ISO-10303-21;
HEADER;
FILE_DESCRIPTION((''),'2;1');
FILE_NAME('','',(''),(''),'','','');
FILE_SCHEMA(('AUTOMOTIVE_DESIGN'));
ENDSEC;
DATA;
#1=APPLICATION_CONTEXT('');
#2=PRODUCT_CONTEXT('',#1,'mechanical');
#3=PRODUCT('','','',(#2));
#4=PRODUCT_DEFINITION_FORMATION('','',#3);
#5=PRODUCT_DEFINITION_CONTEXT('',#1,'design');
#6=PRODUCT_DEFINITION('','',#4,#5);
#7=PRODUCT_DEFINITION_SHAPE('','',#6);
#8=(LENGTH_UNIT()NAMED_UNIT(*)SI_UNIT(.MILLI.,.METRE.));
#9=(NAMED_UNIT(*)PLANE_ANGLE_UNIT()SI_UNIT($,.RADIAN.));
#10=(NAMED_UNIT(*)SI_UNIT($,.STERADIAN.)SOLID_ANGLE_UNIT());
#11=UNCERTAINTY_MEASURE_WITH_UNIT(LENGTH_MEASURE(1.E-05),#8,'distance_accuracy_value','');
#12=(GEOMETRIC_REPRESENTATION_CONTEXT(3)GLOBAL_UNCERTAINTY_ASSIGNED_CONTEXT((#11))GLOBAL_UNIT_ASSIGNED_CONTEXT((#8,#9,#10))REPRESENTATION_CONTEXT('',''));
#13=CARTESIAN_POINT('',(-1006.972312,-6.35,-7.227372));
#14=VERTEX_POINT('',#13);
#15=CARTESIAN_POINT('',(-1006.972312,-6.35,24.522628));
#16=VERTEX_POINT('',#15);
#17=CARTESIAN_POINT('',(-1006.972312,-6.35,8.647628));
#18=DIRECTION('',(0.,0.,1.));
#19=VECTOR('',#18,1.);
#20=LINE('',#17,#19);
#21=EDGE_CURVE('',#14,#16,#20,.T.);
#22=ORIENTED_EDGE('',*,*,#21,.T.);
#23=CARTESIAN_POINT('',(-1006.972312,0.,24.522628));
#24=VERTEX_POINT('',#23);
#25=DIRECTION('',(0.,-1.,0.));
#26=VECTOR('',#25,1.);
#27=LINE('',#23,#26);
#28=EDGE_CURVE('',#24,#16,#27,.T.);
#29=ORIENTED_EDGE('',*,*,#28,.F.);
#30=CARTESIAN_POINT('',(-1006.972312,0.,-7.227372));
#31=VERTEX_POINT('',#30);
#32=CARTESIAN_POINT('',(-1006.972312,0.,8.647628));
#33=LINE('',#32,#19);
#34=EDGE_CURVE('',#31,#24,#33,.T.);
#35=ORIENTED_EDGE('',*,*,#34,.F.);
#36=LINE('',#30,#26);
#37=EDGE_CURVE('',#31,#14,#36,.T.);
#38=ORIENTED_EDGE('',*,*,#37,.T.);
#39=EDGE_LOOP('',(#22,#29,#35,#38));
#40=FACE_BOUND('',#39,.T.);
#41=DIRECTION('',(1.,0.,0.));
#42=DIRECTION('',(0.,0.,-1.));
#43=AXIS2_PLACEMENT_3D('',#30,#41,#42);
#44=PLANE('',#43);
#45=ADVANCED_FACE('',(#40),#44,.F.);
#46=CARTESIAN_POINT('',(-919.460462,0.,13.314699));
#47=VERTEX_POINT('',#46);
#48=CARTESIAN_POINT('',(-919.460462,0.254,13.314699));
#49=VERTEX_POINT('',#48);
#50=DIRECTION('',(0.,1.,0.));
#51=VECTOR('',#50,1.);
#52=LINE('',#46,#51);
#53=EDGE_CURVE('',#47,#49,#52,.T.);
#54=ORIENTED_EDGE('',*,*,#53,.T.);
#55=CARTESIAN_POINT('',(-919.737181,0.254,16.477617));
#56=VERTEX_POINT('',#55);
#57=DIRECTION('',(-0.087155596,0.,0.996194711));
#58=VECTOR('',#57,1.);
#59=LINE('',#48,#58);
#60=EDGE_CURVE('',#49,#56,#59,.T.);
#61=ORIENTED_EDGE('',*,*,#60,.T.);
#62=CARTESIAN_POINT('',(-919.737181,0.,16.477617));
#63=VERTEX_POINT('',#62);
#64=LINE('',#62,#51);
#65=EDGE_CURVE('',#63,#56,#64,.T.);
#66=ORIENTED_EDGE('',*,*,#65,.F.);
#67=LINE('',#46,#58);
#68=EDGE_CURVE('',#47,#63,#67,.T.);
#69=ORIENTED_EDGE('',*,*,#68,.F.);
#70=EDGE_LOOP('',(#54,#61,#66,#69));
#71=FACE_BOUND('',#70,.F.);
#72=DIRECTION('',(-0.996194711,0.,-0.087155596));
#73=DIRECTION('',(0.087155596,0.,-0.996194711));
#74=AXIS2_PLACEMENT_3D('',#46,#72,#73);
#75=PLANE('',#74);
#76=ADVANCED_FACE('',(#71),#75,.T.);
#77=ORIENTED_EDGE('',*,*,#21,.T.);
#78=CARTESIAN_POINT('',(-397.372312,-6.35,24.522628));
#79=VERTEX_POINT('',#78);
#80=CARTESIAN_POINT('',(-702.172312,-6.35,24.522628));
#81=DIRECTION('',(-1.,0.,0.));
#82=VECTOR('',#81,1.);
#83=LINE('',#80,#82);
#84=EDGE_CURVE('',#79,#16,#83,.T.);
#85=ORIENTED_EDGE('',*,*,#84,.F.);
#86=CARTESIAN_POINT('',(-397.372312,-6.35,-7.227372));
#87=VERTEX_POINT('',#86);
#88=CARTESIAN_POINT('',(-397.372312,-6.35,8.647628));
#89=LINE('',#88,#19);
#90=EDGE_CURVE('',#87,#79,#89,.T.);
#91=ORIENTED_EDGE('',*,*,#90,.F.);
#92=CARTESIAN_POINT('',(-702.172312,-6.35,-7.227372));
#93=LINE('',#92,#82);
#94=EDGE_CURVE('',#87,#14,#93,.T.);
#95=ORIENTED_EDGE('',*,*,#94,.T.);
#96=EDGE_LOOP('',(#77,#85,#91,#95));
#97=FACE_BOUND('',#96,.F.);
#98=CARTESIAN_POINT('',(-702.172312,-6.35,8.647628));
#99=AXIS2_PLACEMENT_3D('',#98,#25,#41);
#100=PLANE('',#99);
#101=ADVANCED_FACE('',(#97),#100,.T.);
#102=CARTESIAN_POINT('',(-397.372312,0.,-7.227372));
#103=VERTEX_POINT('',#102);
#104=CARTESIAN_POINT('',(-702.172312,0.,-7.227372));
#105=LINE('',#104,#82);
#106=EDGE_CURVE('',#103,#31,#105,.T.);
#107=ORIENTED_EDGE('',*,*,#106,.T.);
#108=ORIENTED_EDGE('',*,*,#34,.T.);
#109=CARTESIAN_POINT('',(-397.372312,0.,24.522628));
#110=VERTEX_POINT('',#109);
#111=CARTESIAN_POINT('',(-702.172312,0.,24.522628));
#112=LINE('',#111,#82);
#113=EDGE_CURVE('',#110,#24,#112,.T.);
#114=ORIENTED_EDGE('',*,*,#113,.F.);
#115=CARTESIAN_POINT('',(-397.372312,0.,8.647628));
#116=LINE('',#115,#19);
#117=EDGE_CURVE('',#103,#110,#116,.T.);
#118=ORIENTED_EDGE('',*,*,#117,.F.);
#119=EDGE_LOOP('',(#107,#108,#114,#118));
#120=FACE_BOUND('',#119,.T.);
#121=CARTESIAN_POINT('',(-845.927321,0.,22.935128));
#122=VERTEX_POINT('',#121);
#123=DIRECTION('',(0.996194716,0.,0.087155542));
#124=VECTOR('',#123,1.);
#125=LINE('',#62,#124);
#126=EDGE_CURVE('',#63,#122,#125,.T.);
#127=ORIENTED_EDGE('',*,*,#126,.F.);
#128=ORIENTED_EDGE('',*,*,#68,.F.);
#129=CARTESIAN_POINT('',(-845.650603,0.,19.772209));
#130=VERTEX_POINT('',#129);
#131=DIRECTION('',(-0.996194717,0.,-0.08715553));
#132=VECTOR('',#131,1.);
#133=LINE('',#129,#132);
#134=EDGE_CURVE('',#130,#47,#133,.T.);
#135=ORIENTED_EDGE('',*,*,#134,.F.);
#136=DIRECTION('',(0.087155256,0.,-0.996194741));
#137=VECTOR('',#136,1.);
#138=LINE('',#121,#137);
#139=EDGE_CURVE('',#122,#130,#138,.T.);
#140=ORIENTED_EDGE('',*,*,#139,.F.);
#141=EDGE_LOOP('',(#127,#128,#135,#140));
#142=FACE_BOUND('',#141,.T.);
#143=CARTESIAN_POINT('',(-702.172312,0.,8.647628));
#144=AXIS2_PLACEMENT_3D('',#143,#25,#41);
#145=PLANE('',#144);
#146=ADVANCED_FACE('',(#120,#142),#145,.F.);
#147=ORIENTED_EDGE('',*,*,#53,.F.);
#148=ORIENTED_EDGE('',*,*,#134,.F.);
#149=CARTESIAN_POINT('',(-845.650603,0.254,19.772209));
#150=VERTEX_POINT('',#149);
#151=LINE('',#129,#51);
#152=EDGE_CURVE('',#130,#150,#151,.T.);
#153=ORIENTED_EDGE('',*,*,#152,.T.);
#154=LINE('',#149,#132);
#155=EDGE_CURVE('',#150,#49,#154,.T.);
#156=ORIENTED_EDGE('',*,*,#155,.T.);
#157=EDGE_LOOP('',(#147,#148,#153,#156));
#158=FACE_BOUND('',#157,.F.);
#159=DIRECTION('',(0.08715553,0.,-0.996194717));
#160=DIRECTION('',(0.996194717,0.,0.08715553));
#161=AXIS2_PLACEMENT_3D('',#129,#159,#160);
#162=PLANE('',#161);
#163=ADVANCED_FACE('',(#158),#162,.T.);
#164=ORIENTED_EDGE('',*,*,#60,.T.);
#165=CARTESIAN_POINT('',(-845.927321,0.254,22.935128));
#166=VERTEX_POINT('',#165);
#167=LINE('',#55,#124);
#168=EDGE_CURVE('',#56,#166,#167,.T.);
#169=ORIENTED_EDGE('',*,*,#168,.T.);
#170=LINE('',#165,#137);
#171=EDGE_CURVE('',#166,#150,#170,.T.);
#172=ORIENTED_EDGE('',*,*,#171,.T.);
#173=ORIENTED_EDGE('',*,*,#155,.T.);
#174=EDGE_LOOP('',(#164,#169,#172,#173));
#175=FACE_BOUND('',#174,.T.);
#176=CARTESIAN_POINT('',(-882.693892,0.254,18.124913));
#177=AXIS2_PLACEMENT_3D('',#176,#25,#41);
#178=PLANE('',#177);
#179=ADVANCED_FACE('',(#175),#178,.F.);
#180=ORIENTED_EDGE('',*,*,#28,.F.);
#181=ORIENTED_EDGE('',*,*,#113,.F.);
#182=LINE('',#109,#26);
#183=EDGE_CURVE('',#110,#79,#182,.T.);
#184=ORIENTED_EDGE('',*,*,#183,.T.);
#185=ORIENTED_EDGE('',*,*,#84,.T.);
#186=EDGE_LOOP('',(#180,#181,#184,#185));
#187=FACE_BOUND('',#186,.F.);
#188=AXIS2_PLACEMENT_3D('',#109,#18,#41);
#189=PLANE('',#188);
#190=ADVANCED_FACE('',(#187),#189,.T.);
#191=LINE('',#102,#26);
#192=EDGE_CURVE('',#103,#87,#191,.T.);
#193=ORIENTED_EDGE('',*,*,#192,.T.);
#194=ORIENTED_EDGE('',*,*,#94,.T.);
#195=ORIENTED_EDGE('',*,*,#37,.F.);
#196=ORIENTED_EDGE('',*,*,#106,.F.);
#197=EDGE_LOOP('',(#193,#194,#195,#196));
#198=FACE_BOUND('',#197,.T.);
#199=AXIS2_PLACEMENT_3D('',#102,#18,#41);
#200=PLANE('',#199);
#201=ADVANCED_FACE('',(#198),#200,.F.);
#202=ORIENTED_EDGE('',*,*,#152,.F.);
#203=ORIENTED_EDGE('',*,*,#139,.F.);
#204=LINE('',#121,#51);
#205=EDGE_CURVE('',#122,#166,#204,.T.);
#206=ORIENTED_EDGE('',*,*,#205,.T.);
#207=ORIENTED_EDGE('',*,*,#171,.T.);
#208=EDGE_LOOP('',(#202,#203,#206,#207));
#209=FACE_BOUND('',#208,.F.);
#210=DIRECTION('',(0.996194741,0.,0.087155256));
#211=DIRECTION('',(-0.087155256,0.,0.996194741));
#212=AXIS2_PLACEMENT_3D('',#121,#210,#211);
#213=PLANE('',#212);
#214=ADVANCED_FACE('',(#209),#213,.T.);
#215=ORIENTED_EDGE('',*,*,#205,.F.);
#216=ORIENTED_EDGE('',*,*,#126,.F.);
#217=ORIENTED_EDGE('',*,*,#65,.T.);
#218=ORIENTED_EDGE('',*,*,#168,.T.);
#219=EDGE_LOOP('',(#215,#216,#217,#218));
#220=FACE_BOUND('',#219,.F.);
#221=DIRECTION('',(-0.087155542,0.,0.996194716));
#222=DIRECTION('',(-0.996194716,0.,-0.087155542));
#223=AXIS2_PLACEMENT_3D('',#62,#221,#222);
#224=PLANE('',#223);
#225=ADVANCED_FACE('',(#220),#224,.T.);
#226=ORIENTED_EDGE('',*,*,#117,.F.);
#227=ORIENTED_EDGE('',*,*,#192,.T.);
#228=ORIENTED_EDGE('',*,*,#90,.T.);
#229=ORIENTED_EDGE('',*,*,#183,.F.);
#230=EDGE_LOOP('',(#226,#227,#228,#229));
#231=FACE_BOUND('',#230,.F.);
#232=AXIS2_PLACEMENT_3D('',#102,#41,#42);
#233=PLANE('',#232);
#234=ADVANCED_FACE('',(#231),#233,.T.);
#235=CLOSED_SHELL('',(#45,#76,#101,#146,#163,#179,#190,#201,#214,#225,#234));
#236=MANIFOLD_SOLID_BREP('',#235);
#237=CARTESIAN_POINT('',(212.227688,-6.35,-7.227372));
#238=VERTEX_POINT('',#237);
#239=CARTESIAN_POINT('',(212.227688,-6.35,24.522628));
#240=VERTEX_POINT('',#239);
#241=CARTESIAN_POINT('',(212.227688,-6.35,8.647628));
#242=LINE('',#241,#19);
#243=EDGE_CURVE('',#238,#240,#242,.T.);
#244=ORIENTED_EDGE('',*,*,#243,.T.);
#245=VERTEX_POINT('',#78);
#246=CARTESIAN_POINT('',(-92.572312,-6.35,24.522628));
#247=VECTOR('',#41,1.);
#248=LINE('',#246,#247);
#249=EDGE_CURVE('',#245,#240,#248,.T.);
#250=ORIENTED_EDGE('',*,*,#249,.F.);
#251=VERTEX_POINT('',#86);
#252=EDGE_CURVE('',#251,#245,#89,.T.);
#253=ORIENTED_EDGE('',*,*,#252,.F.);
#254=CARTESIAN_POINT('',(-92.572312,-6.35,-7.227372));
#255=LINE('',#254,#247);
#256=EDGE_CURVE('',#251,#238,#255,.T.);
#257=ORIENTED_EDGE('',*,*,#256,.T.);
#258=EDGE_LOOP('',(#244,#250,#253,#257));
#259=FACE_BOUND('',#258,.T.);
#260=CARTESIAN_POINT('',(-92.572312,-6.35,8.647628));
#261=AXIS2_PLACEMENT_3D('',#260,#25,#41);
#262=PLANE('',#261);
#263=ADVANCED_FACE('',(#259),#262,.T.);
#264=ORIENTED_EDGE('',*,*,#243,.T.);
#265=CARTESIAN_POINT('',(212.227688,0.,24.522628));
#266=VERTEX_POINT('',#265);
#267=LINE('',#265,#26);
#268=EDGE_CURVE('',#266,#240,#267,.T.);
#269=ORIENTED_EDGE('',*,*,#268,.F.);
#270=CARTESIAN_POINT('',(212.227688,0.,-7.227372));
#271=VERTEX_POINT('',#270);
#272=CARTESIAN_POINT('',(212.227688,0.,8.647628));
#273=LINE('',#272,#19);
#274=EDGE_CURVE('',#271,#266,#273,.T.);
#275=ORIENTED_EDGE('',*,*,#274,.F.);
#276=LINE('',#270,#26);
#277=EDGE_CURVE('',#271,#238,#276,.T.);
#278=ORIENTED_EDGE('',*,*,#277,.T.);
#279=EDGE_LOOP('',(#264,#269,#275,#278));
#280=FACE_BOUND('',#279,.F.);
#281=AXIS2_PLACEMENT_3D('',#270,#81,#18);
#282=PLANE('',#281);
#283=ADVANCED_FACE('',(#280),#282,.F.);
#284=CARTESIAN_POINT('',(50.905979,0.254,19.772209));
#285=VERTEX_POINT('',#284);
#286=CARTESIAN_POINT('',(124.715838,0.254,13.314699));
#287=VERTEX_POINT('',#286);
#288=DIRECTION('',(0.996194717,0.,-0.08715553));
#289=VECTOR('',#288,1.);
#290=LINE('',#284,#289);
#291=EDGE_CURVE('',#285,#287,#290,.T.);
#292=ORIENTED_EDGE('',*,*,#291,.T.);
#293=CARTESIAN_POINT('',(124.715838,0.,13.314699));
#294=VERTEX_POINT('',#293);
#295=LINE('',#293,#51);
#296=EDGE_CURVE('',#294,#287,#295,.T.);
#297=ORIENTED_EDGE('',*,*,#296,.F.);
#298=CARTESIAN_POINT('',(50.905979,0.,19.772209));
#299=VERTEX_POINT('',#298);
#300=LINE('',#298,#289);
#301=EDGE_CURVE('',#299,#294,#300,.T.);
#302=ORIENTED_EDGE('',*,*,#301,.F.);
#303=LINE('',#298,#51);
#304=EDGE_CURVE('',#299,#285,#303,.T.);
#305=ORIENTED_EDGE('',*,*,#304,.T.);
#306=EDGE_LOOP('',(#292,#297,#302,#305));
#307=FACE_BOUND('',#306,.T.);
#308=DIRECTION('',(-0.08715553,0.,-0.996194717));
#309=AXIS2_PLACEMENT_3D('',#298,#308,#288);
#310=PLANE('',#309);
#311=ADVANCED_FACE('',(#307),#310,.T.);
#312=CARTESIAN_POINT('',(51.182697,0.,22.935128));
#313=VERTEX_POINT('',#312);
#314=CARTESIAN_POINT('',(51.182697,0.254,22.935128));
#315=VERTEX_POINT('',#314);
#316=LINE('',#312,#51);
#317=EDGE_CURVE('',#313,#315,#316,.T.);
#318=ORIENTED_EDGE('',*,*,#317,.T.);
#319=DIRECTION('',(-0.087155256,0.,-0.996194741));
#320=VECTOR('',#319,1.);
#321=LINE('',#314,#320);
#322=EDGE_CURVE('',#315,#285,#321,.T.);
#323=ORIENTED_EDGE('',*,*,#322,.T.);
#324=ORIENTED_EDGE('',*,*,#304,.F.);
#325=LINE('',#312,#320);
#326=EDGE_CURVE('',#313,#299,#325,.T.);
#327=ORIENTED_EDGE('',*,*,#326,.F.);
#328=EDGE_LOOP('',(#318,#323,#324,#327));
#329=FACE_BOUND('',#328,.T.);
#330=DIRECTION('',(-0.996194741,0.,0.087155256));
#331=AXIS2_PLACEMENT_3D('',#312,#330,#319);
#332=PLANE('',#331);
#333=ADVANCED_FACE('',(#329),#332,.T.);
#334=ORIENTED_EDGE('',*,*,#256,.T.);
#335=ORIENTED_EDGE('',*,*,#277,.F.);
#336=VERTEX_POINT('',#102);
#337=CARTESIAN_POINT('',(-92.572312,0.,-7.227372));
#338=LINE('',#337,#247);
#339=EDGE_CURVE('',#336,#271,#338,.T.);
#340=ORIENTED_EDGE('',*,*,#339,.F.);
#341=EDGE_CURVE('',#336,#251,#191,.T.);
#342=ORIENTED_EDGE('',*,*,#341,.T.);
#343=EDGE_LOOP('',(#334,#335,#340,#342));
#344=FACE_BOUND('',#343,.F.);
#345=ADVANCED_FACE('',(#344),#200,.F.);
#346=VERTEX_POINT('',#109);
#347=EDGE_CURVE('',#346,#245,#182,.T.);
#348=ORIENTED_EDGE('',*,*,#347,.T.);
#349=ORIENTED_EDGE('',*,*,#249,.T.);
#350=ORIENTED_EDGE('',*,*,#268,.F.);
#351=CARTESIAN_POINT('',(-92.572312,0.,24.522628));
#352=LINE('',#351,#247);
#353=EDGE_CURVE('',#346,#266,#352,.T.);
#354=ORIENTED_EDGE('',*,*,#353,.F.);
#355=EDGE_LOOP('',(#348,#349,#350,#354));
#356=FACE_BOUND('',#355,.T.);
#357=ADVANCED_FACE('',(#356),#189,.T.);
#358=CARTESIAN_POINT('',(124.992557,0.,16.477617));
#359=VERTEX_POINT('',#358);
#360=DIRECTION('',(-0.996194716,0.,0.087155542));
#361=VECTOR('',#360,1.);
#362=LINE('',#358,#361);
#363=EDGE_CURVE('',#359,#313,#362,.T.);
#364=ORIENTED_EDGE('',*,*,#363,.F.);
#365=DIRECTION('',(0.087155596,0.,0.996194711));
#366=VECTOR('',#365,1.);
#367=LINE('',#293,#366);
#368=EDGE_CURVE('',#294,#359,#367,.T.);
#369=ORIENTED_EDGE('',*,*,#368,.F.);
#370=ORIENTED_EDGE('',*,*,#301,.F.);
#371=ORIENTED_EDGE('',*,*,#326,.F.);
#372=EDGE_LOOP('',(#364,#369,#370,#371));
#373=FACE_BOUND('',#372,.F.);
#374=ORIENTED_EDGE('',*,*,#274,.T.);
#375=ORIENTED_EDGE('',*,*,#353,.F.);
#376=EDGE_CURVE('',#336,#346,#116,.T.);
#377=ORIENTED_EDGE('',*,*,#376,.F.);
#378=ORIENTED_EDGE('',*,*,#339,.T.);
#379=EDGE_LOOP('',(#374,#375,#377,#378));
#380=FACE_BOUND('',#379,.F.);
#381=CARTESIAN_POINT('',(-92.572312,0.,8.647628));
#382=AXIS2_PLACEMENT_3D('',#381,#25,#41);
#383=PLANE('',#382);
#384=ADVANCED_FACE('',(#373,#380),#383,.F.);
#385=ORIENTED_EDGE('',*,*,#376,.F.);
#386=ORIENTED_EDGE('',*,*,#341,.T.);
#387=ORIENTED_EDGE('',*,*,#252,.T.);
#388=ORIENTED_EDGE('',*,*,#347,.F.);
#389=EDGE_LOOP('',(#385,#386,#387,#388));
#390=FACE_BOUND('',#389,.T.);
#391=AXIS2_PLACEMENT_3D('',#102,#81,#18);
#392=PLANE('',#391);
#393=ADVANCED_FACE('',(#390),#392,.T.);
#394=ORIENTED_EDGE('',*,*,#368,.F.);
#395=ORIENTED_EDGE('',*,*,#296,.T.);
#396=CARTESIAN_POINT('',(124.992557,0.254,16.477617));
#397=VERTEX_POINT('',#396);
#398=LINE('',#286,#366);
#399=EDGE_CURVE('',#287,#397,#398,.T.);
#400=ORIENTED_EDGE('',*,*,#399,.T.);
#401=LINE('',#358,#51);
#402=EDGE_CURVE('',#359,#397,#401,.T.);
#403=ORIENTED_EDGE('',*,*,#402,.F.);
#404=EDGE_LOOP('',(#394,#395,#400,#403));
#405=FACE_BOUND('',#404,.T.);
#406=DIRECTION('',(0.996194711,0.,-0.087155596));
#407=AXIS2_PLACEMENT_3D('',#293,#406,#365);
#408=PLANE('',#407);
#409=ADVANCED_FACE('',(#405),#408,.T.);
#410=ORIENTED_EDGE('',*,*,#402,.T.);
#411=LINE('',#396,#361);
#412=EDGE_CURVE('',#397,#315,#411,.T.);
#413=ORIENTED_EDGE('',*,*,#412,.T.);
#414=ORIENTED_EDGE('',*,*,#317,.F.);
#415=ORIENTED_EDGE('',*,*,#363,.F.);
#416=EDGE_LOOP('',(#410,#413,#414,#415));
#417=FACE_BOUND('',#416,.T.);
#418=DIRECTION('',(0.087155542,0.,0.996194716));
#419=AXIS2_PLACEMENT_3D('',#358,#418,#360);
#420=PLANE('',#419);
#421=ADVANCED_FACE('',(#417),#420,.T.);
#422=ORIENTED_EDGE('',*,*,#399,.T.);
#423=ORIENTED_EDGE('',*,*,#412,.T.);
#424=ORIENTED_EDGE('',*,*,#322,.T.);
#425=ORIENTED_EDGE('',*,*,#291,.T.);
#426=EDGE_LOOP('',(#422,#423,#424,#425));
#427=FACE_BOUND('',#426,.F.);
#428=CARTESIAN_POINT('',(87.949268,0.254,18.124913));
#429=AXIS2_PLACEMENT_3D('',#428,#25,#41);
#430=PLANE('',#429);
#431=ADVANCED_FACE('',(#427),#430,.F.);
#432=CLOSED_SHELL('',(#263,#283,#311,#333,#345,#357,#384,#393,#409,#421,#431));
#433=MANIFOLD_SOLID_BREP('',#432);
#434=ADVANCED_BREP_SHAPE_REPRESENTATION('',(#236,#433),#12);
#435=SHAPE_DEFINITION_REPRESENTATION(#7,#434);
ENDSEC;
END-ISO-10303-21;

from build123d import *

# Parameters (mm, degrees)
F0_W     = 609.6
F0_H     = 31.75
F1_DEPTH = 6.35
F3_DEPTH = 0.254


with BuildPart() as f1:
    # F0 (on Front) → F1 (new body)
    with BuildSketch(Plane.XZ):
        with Locations((-92.572312, 8.647628)):
            Rectangle(F0_W, F0_H)
        Polygon((-103.370848, 16.477617), (-29.560988, 22.935128), (-29.28427, 19.772209), (-103.094129, 13.314699), align=None, mode=Mode.SUBTRACT)
        Polygon((50.905979, 19.772209), (51.182697, 22.935128), (124.992557, 16.477617), (124.715838, 13.314699), align=None, mode=Mode.SUBTRACT)
        Polygon((-29.28427, 19.772209), (-29.560988, 22.935128), (-103.370848, 16.477617), (-103.094129, 13.314699), align=None)
        Polygon((124.992557, 16.477617), (51.182697, 22.935128), (50.905979, 19.772209), (124.715838, 13.314699), align=None)
    extrude(amount=F1_DEPTH)

    # F0 (on Front) → F3 (join)
    with BuildSketch(Plane.XZ):
        Polygon((124.992557, 16.477617), (51.182697, 22.935128), (50.905979, 19.772209), (124.715838, 13.314699), align=None)
    extrude(amount=-F3_DEPTH)


with BuildPart() as f2_1:
    # F2: instance of F1
    add(f1.part.mirror(Plane(origin=(-397.372312, -3.175, 8.647628), x_dir=(0, -1, 0), z_dir=(-1, 0, 0))))


with BuildPart() as f5_1:
    # F5: instance of F1
    add(f1.part.mirror(Plane(origin=(-397.372312, -3.175, 8.647628), x_dir=(0, -1, 0), z_dir=(-1, 0, 0))))


solid = Compound([f1.part, f5_1.part])
